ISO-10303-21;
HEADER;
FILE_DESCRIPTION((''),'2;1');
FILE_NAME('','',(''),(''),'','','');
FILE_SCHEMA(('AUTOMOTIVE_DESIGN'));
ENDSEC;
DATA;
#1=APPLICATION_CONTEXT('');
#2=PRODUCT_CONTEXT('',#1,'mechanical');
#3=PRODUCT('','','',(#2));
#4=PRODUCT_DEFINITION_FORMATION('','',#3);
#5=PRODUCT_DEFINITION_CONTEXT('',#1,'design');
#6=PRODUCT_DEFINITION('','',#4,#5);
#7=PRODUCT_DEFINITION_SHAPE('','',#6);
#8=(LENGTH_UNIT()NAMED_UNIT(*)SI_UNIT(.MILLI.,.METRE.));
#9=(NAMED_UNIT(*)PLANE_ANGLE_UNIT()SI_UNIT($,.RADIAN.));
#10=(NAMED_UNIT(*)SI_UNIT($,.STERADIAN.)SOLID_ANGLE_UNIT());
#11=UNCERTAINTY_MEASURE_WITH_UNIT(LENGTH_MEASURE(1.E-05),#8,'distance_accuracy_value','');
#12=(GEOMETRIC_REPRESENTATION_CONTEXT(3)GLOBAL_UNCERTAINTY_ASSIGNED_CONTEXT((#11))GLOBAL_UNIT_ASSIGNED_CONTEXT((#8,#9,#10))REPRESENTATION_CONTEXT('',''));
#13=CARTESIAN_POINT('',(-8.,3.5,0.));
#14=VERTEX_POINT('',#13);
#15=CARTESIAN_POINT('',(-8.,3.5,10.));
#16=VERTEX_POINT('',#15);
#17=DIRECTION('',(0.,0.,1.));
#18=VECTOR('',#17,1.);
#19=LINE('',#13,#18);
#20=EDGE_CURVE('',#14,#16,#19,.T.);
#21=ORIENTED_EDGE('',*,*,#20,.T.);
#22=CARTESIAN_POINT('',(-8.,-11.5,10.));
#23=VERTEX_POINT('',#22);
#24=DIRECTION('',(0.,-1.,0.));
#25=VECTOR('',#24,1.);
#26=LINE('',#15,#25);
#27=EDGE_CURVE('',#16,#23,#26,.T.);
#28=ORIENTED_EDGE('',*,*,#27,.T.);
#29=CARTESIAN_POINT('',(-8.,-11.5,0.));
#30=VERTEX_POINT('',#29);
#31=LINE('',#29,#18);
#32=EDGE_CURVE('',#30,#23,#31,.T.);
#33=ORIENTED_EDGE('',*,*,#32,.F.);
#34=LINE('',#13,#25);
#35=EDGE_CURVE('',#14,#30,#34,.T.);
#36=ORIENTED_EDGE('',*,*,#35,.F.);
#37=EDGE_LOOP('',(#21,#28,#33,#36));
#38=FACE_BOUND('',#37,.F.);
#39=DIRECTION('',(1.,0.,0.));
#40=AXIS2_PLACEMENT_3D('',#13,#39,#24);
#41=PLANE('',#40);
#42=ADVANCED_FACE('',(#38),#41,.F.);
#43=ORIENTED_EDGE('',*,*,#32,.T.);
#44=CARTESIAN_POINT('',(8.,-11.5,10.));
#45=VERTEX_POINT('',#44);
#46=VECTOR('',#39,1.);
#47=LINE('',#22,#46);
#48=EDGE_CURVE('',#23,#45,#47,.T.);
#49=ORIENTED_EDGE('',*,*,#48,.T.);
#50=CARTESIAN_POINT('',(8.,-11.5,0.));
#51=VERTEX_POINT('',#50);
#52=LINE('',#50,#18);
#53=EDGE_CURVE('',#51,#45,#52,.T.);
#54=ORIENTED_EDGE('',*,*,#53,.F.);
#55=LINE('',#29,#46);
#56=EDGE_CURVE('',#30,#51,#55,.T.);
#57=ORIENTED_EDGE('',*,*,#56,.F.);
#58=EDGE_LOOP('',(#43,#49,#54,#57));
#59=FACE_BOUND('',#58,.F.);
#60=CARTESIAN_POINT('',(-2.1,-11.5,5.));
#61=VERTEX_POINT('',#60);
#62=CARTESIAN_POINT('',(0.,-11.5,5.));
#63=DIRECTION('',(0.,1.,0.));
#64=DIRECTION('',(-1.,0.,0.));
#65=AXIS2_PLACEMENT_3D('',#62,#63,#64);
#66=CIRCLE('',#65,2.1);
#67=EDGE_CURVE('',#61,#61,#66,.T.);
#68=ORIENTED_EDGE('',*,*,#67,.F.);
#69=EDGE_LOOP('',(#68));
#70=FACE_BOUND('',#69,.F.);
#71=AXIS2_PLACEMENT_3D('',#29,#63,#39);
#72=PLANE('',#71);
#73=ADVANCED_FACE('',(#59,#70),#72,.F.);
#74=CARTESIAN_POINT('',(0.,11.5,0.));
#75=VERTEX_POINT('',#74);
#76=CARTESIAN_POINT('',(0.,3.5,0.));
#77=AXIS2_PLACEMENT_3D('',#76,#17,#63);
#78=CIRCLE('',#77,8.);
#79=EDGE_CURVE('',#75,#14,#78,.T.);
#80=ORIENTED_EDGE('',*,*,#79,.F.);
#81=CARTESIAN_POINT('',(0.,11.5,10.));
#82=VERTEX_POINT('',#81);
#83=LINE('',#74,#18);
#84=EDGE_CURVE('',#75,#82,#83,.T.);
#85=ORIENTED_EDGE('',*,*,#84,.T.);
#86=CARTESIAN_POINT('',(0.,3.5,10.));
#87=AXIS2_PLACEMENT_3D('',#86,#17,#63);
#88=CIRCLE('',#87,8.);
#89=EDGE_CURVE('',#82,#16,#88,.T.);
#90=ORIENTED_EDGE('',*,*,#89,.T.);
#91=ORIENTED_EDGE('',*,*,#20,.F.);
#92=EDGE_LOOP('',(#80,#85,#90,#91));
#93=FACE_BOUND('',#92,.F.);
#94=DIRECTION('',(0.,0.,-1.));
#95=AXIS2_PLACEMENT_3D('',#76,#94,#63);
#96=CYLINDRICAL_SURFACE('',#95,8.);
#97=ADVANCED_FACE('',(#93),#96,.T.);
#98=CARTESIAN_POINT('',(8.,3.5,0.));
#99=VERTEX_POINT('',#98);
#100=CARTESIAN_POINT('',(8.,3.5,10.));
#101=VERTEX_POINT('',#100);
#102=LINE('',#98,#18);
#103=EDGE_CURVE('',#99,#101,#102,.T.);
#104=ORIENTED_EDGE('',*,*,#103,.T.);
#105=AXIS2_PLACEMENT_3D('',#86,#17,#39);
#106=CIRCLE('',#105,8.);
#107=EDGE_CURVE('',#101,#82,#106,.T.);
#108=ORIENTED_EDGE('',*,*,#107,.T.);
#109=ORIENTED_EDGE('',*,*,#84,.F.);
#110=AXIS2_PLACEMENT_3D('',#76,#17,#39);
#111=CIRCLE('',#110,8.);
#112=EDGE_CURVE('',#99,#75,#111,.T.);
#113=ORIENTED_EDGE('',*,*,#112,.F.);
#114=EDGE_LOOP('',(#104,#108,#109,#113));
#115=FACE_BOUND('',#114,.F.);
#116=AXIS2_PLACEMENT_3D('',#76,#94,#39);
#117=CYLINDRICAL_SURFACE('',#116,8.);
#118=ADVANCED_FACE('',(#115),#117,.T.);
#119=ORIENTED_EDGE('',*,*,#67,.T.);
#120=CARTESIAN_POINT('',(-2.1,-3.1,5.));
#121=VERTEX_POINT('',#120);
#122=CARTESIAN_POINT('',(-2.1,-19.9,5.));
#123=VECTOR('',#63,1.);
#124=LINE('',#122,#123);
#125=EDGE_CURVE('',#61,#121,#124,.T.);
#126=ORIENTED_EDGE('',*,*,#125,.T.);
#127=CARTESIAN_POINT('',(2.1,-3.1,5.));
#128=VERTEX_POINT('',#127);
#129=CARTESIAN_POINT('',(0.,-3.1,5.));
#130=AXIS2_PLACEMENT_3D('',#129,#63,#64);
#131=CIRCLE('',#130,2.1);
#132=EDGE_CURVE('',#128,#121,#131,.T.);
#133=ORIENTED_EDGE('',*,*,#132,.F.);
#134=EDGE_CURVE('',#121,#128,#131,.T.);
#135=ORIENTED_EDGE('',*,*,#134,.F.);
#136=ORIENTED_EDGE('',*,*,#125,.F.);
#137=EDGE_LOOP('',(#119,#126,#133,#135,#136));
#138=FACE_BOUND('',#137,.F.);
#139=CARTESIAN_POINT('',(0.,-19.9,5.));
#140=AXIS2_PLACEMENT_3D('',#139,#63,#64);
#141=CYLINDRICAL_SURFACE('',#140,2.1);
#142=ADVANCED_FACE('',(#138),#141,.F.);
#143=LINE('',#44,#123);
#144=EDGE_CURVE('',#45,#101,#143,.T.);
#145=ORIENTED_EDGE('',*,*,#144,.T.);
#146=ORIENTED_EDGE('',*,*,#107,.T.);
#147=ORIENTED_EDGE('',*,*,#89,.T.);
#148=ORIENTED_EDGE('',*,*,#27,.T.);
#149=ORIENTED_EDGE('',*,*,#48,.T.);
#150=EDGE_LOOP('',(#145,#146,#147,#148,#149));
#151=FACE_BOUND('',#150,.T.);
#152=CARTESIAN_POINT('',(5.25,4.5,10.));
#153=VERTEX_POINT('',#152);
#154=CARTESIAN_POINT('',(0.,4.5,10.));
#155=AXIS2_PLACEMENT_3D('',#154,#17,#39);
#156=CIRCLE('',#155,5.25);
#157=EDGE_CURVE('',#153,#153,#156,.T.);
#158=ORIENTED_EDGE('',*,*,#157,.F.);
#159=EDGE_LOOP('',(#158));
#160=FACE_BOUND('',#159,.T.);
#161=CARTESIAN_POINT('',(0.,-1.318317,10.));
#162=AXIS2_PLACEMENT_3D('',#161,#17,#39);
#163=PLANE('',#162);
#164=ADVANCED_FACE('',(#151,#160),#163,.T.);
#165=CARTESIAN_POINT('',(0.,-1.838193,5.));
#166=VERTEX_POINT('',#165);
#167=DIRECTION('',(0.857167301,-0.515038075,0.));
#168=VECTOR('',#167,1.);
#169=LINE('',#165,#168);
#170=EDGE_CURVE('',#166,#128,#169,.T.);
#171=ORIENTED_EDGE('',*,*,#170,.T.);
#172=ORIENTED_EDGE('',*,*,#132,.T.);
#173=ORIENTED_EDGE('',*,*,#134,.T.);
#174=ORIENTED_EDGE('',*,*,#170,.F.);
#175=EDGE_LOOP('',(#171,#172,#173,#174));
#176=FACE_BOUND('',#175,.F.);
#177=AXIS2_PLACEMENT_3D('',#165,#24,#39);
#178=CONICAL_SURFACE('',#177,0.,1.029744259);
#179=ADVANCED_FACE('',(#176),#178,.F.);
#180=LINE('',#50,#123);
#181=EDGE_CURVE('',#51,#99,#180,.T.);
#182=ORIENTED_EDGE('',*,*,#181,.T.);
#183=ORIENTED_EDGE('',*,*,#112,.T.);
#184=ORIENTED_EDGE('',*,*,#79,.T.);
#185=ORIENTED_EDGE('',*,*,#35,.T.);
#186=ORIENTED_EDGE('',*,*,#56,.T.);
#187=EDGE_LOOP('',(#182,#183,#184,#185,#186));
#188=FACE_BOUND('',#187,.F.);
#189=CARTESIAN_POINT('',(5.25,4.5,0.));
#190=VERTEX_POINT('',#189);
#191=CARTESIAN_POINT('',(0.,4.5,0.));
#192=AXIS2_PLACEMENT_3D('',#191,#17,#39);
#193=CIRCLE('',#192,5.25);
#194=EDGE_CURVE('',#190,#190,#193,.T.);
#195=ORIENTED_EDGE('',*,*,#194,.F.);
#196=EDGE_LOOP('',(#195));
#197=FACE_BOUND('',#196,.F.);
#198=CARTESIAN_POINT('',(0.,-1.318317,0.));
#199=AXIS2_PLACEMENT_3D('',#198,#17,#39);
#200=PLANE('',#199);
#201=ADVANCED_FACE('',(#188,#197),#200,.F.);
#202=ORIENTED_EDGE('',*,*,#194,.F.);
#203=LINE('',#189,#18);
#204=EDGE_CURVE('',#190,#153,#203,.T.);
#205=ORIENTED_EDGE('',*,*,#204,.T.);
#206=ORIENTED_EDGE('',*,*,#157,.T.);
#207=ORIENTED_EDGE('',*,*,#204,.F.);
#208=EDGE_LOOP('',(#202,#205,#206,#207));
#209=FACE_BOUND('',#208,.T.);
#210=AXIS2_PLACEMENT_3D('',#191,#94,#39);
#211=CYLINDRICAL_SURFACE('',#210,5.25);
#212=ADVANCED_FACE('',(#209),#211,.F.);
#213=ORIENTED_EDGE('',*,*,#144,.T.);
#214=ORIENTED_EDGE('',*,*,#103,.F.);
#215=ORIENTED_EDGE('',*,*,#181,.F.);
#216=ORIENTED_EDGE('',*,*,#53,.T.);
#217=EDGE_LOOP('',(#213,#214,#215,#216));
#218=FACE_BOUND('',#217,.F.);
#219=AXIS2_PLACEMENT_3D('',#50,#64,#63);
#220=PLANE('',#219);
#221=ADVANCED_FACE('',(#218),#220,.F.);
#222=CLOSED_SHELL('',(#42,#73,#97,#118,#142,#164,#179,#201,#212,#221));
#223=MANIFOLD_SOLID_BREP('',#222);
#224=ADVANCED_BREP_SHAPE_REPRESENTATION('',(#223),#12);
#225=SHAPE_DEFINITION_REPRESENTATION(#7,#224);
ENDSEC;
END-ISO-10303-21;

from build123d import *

# Parameters (mm, degrees)
F0_R     = 5.25
F1_DEPTH = 10
F3_D     = 4.2
F3_DEPTH = 8.4
F3_TIP   = 1.2618073


with BuildPart() as f1:
    # F0 (on Top) → F1 (new body)
    with BuildSketch(Plane.XY):
        with BuildLine():
            Line((-8, -11.5), (8, -11.5))
            Line((8, -11.5), (8, 3.5))
            ThreePointArc((8, 3.5), (5.6568542495, 9.1568542495), (0, 11.5))
            ThreePointArc((0, 11.5), (-5.6568542495, 9.1568542495), (-8, 3.5))
            Line((-8, 3.5), (-8, -11.5))
        make_face()
        with Locations((0, 4.5)):
            Circle(F0_R, mode=Mode.SUBTRACT)
    extrude(amount=F1_DEPTH)

    # F3
    with Locations(Plane.XZ.offset(11.5)):
        with Locations((0, 5)):
            Hole(F3_D / 2, depth=F3_DEPTH)
            with Locations((0, 0, -(F3_DEPTH + F3_TIP / 2))):  # 118° drill point
                Cone(0, F3_D / 2, F3_TIP, mode=Mode.SUBTRACT)


solid = f1.part
